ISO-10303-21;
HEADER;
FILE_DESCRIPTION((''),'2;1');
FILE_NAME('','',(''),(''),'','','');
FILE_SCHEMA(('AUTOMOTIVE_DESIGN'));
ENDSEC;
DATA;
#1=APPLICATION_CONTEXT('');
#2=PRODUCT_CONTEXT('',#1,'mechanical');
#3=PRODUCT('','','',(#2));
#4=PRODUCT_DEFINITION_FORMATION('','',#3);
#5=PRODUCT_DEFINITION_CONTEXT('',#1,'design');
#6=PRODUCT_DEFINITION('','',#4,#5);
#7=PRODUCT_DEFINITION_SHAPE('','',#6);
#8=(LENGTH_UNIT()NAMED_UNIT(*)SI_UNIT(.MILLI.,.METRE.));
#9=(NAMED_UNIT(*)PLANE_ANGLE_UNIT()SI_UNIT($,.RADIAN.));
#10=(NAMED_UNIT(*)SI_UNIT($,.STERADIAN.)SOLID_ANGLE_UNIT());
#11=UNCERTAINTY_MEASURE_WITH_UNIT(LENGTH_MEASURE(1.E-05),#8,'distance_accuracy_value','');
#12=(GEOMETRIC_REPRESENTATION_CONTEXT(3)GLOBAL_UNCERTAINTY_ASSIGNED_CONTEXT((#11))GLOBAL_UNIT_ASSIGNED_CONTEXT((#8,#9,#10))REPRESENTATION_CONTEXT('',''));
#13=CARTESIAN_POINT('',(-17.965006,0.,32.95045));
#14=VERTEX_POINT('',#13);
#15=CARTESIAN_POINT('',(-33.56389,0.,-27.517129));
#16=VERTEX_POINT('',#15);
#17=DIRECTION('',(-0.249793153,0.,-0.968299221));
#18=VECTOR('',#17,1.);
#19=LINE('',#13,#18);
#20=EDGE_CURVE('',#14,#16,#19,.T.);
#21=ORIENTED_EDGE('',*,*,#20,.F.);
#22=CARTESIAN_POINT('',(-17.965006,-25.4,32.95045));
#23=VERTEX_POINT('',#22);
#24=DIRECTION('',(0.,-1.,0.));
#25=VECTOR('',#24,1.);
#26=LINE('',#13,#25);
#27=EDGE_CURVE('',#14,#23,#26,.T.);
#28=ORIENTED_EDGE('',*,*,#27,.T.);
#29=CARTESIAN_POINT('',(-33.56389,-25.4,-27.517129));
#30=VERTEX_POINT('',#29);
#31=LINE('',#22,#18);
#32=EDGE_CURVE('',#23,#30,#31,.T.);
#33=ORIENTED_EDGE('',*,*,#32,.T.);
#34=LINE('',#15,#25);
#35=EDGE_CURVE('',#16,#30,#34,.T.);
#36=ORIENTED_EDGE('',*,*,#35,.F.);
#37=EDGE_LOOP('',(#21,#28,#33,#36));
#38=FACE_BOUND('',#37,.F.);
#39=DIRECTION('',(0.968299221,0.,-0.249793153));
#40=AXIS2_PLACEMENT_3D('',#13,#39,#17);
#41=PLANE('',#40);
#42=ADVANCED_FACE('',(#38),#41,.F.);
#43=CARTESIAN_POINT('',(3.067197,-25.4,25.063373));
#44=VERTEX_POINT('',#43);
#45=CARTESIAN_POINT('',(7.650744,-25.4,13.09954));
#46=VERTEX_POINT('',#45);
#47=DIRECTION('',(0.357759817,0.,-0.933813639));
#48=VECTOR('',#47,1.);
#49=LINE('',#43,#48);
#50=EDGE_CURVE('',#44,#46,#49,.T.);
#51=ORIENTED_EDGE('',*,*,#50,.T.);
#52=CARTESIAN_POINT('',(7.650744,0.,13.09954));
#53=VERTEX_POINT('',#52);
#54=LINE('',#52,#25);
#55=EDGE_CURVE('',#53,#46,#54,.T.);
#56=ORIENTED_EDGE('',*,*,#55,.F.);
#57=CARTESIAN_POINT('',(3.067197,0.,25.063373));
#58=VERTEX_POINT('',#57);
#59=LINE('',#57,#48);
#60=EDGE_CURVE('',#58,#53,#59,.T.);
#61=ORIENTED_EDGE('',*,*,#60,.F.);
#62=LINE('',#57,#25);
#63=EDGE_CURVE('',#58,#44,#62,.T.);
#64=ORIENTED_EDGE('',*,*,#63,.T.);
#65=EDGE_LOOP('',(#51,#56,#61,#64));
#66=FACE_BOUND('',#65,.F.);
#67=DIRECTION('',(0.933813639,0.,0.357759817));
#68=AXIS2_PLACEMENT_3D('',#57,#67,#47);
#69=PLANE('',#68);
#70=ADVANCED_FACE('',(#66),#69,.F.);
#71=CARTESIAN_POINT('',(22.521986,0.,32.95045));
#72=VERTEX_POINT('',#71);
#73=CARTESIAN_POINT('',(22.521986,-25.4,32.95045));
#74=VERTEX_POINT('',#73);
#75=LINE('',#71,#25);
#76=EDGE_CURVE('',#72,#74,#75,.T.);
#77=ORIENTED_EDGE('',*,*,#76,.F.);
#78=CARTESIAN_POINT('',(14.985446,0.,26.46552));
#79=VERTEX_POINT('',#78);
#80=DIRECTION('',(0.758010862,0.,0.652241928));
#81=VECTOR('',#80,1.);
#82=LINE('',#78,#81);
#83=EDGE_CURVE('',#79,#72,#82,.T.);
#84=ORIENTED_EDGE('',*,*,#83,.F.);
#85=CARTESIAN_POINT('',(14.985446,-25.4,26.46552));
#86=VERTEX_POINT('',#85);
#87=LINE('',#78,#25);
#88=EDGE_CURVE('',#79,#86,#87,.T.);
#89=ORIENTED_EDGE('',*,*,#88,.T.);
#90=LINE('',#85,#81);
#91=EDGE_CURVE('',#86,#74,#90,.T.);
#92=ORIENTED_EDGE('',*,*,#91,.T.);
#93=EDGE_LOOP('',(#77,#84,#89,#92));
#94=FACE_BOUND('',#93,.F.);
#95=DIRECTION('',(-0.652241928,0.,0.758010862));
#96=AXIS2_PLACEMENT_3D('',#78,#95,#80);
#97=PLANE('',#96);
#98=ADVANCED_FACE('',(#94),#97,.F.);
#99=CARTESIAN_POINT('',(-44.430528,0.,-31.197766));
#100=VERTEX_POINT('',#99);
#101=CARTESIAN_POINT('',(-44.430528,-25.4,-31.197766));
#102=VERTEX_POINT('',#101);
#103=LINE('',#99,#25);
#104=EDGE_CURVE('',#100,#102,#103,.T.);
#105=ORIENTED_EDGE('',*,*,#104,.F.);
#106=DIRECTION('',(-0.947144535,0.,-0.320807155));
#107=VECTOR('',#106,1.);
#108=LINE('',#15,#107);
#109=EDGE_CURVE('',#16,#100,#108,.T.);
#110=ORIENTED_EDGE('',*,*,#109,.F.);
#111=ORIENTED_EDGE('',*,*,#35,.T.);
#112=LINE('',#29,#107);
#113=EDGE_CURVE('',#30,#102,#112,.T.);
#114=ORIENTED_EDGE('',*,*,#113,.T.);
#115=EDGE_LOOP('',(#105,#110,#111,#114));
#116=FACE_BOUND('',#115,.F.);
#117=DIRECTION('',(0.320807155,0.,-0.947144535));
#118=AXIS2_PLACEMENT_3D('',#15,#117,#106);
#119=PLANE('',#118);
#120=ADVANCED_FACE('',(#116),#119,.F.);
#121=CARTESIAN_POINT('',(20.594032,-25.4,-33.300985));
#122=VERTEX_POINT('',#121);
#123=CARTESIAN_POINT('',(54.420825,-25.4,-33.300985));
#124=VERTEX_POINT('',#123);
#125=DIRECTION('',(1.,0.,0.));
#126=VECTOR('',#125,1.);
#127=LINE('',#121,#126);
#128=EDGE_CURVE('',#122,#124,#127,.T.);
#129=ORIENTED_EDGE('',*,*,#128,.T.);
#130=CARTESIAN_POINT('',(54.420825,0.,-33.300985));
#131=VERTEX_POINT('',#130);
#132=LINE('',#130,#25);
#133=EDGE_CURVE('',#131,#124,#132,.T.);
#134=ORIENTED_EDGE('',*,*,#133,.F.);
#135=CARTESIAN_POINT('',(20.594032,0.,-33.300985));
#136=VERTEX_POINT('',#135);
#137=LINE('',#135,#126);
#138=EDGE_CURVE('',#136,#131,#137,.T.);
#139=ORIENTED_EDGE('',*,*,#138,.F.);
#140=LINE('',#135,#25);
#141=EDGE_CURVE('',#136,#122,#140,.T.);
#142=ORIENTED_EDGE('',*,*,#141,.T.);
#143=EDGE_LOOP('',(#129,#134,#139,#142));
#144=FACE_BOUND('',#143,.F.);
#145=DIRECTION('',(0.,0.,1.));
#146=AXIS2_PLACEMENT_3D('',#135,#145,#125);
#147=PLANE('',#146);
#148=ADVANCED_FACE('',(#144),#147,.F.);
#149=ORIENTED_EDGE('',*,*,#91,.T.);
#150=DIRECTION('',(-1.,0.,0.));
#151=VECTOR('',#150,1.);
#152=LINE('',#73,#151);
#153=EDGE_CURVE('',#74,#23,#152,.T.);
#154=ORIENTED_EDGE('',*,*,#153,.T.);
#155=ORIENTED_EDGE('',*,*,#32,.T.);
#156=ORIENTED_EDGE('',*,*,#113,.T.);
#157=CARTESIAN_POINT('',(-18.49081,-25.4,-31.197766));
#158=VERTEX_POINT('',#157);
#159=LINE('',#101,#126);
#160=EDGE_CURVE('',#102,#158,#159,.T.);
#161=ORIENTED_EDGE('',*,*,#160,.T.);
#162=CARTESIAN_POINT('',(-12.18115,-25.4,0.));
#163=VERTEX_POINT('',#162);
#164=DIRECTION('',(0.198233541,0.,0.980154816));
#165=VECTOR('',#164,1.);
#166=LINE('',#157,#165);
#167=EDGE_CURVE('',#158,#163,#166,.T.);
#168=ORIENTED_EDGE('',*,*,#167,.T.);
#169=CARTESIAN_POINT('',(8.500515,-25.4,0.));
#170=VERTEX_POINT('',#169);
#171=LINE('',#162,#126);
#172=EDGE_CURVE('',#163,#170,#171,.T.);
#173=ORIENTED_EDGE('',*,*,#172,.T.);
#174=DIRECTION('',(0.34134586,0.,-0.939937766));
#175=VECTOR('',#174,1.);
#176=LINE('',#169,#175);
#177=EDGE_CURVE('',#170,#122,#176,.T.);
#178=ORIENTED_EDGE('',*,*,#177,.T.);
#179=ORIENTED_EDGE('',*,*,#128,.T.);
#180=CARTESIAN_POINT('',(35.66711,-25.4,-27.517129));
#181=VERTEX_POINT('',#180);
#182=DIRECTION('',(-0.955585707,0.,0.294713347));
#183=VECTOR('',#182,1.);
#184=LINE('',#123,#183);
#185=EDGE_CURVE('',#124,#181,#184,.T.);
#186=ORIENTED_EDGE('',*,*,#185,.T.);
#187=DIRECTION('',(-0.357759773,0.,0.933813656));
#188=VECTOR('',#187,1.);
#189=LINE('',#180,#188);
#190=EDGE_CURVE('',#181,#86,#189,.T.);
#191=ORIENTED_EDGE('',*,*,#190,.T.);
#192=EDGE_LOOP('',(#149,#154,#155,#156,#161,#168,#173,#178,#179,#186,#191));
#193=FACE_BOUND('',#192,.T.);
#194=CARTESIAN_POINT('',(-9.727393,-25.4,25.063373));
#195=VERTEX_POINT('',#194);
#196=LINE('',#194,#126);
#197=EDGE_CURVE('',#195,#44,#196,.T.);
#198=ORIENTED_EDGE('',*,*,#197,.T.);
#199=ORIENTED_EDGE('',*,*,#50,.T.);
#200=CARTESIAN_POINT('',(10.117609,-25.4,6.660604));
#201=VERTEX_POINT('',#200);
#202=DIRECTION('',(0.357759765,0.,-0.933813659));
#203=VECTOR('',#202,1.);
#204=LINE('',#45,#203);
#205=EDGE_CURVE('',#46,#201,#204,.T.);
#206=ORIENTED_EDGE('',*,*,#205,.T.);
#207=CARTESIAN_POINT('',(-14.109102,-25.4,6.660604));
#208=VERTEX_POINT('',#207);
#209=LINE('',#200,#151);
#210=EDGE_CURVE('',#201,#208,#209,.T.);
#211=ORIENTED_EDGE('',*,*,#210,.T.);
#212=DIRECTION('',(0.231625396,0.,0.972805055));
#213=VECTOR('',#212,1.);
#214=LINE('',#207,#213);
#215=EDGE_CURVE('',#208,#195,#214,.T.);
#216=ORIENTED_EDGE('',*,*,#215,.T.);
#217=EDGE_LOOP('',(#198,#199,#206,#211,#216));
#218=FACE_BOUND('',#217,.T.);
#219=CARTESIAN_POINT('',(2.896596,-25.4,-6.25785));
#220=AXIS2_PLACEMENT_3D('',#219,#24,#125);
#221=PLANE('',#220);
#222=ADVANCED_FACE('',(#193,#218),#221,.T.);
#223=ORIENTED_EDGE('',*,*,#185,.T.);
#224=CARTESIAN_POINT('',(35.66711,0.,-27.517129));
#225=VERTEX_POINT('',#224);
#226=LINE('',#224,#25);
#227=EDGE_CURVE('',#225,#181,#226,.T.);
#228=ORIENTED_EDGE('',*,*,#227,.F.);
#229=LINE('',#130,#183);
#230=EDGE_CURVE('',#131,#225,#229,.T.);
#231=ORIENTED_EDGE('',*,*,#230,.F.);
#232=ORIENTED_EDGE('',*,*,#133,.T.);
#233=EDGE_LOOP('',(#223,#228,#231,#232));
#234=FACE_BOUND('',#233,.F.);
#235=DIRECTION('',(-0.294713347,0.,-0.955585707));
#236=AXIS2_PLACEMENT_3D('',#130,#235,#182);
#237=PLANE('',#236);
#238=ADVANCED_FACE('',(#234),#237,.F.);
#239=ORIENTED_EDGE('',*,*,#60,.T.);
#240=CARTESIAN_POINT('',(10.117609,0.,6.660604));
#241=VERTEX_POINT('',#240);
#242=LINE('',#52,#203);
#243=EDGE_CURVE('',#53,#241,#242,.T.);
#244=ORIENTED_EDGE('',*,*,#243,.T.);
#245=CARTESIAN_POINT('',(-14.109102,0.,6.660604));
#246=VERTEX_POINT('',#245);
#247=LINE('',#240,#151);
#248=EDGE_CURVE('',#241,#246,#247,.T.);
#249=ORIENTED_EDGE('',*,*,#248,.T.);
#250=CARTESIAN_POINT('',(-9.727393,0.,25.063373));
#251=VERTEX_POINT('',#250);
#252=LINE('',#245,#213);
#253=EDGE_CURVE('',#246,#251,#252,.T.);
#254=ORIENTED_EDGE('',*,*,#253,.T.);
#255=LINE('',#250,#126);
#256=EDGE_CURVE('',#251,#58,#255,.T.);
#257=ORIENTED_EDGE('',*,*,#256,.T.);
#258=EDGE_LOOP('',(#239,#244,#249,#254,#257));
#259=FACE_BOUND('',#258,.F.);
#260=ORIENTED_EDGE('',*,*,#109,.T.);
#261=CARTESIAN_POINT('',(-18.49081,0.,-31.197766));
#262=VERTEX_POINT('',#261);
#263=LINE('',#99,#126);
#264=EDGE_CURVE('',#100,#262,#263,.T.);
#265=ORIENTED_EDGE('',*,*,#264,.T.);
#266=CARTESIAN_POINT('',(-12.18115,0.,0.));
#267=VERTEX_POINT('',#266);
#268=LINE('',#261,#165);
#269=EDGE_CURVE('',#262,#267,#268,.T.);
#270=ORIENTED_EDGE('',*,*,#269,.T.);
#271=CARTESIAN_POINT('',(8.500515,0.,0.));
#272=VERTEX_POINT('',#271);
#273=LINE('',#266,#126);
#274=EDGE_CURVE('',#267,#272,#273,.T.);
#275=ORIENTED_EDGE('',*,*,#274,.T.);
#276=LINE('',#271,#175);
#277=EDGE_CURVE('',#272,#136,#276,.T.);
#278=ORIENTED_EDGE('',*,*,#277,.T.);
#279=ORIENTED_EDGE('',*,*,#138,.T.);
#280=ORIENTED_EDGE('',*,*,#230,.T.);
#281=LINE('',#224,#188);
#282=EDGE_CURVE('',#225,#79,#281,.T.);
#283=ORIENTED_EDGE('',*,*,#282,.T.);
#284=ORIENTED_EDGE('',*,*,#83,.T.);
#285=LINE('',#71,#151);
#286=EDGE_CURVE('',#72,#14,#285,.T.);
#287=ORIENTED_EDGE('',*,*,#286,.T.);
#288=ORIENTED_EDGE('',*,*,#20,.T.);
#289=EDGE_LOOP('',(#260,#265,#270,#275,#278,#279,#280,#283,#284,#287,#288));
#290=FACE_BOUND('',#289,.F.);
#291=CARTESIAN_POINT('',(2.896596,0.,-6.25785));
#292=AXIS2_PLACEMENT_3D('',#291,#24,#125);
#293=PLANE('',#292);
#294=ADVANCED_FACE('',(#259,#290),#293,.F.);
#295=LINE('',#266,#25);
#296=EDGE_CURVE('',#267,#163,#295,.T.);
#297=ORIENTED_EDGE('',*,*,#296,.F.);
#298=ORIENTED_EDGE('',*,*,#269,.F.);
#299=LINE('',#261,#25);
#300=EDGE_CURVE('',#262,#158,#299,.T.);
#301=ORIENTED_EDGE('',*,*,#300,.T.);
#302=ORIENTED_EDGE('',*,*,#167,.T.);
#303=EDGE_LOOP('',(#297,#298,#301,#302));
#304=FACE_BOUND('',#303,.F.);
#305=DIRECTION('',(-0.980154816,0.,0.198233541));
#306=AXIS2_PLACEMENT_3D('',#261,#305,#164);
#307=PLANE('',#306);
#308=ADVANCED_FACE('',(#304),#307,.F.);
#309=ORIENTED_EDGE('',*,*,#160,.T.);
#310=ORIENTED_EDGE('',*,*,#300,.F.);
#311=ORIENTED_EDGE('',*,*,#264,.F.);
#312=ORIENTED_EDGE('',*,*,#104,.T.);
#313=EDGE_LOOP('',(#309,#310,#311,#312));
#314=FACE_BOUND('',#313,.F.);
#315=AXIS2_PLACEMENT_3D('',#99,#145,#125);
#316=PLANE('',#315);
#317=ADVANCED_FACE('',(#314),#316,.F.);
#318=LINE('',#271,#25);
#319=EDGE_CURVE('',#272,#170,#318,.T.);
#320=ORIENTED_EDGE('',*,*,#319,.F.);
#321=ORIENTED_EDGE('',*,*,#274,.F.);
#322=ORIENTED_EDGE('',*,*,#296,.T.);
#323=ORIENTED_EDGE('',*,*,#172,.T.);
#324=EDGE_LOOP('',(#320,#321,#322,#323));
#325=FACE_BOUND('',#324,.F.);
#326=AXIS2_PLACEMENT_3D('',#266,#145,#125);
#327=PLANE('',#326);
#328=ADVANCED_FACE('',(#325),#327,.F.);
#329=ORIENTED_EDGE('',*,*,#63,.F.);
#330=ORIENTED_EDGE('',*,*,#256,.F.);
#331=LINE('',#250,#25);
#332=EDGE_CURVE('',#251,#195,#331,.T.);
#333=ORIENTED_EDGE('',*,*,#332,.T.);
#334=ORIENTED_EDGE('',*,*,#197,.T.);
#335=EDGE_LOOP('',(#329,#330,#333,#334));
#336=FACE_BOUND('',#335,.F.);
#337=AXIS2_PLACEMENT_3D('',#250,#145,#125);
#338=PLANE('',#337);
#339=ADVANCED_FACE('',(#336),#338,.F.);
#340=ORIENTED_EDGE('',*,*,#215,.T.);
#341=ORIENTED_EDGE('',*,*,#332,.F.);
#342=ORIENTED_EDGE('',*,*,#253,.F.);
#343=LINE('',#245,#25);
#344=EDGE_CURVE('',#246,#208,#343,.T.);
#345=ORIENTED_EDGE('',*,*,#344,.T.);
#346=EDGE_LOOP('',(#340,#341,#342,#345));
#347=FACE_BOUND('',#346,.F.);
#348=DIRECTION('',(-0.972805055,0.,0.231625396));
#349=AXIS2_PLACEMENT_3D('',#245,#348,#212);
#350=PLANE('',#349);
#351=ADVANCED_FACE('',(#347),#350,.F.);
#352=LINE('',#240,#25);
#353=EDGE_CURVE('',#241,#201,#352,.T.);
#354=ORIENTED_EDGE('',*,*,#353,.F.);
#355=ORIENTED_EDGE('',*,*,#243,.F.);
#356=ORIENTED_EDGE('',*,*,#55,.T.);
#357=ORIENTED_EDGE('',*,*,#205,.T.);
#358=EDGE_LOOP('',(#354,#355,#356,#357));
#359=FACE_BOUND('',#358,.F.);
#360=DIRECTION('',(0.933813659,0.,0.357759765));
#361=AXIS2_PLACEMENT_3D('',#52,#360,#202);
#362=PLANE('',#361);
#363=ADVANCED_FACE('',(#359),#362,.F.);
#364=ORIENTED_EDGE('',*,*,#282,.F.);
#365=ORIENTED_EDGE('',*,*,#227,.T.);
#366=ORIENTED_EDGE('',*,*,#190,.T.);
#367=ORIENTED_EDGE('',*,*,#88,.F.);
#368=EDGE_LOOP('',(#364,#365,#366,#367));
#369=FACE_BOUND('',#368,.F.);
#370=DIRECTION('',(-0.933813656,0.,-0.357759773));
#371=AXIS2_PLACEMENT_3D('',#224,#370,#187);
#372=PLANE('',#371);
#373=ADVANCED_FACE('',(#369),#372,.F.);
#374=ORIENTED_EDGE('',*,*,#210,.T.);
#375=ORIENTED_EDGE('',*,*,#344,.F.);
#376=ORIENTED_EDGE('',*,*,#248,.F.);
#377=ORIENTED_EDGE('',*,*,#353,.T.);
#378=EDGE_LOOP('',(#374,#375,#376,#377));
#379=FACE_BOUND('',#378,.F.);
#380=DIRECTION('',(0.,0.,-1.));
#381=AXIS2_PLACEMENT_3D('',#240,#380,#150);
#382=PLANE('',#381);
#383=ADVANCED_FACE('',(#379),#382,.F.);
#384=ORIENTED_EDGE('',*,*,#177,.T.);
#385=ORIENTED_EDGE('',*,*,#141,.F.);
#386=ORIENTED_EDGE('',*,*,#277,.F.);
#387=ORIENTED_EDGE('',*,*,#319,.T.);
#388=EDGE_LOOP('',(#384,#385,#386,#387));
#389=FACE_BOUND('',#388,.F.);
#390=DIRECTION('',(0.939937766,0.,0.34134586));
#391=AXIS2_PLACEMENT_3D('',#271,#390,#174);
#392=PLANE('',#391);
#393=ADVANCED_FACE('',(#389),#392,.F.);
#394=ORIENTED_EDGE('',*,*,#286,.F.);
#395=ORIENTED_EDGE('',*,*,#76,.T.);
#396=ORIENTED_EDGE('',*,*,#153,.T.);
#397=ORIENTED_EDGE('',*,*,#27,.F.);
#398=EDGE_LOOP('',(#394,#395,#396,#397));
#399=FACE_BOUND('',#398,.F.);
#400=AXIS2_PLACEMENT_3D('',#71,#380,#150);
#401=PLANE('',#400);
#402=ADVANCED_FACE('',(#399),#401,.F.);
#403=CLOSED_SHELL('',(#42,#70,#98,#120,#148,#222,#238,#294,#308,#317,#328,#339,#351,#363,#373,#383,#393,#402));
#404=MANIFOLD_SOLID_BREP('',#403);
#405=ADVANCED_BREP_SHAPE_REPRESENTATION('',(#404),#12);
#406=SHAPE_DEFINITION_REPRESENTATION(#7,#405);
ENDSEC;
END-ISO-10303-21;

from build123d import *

# Parameters (mm, degrees)
F1_DEPTH = 25.4


with BuildPart() as f1:
    # F0 (on Front) → F1 (new body)
    with BuildSketch(Plane.XZ):
        Polygon((-44.430528, -31.197766), (-18.49081, -31.197766), (-12.18115, 0), (8.500515, 0), (20.594032, -33.300985), (54.420825, -33.300985), (35.66711, -27.517129), (14.985446, 26.46552), (22.521986, 32.95045), (-17.965006, 32.95045), (-33.56389, -27.517129), align=None)
        Polygon((-9.727393, 25.063373), (3.067197, 25.063373), (7.650744, 13.09954), (10.117609, 6.660604), (-14.109102, 6.660604), align=None, mode=Mode.SUBTRACT)
    extrude(amount=F1_DEPTH)


solid = f1.part
